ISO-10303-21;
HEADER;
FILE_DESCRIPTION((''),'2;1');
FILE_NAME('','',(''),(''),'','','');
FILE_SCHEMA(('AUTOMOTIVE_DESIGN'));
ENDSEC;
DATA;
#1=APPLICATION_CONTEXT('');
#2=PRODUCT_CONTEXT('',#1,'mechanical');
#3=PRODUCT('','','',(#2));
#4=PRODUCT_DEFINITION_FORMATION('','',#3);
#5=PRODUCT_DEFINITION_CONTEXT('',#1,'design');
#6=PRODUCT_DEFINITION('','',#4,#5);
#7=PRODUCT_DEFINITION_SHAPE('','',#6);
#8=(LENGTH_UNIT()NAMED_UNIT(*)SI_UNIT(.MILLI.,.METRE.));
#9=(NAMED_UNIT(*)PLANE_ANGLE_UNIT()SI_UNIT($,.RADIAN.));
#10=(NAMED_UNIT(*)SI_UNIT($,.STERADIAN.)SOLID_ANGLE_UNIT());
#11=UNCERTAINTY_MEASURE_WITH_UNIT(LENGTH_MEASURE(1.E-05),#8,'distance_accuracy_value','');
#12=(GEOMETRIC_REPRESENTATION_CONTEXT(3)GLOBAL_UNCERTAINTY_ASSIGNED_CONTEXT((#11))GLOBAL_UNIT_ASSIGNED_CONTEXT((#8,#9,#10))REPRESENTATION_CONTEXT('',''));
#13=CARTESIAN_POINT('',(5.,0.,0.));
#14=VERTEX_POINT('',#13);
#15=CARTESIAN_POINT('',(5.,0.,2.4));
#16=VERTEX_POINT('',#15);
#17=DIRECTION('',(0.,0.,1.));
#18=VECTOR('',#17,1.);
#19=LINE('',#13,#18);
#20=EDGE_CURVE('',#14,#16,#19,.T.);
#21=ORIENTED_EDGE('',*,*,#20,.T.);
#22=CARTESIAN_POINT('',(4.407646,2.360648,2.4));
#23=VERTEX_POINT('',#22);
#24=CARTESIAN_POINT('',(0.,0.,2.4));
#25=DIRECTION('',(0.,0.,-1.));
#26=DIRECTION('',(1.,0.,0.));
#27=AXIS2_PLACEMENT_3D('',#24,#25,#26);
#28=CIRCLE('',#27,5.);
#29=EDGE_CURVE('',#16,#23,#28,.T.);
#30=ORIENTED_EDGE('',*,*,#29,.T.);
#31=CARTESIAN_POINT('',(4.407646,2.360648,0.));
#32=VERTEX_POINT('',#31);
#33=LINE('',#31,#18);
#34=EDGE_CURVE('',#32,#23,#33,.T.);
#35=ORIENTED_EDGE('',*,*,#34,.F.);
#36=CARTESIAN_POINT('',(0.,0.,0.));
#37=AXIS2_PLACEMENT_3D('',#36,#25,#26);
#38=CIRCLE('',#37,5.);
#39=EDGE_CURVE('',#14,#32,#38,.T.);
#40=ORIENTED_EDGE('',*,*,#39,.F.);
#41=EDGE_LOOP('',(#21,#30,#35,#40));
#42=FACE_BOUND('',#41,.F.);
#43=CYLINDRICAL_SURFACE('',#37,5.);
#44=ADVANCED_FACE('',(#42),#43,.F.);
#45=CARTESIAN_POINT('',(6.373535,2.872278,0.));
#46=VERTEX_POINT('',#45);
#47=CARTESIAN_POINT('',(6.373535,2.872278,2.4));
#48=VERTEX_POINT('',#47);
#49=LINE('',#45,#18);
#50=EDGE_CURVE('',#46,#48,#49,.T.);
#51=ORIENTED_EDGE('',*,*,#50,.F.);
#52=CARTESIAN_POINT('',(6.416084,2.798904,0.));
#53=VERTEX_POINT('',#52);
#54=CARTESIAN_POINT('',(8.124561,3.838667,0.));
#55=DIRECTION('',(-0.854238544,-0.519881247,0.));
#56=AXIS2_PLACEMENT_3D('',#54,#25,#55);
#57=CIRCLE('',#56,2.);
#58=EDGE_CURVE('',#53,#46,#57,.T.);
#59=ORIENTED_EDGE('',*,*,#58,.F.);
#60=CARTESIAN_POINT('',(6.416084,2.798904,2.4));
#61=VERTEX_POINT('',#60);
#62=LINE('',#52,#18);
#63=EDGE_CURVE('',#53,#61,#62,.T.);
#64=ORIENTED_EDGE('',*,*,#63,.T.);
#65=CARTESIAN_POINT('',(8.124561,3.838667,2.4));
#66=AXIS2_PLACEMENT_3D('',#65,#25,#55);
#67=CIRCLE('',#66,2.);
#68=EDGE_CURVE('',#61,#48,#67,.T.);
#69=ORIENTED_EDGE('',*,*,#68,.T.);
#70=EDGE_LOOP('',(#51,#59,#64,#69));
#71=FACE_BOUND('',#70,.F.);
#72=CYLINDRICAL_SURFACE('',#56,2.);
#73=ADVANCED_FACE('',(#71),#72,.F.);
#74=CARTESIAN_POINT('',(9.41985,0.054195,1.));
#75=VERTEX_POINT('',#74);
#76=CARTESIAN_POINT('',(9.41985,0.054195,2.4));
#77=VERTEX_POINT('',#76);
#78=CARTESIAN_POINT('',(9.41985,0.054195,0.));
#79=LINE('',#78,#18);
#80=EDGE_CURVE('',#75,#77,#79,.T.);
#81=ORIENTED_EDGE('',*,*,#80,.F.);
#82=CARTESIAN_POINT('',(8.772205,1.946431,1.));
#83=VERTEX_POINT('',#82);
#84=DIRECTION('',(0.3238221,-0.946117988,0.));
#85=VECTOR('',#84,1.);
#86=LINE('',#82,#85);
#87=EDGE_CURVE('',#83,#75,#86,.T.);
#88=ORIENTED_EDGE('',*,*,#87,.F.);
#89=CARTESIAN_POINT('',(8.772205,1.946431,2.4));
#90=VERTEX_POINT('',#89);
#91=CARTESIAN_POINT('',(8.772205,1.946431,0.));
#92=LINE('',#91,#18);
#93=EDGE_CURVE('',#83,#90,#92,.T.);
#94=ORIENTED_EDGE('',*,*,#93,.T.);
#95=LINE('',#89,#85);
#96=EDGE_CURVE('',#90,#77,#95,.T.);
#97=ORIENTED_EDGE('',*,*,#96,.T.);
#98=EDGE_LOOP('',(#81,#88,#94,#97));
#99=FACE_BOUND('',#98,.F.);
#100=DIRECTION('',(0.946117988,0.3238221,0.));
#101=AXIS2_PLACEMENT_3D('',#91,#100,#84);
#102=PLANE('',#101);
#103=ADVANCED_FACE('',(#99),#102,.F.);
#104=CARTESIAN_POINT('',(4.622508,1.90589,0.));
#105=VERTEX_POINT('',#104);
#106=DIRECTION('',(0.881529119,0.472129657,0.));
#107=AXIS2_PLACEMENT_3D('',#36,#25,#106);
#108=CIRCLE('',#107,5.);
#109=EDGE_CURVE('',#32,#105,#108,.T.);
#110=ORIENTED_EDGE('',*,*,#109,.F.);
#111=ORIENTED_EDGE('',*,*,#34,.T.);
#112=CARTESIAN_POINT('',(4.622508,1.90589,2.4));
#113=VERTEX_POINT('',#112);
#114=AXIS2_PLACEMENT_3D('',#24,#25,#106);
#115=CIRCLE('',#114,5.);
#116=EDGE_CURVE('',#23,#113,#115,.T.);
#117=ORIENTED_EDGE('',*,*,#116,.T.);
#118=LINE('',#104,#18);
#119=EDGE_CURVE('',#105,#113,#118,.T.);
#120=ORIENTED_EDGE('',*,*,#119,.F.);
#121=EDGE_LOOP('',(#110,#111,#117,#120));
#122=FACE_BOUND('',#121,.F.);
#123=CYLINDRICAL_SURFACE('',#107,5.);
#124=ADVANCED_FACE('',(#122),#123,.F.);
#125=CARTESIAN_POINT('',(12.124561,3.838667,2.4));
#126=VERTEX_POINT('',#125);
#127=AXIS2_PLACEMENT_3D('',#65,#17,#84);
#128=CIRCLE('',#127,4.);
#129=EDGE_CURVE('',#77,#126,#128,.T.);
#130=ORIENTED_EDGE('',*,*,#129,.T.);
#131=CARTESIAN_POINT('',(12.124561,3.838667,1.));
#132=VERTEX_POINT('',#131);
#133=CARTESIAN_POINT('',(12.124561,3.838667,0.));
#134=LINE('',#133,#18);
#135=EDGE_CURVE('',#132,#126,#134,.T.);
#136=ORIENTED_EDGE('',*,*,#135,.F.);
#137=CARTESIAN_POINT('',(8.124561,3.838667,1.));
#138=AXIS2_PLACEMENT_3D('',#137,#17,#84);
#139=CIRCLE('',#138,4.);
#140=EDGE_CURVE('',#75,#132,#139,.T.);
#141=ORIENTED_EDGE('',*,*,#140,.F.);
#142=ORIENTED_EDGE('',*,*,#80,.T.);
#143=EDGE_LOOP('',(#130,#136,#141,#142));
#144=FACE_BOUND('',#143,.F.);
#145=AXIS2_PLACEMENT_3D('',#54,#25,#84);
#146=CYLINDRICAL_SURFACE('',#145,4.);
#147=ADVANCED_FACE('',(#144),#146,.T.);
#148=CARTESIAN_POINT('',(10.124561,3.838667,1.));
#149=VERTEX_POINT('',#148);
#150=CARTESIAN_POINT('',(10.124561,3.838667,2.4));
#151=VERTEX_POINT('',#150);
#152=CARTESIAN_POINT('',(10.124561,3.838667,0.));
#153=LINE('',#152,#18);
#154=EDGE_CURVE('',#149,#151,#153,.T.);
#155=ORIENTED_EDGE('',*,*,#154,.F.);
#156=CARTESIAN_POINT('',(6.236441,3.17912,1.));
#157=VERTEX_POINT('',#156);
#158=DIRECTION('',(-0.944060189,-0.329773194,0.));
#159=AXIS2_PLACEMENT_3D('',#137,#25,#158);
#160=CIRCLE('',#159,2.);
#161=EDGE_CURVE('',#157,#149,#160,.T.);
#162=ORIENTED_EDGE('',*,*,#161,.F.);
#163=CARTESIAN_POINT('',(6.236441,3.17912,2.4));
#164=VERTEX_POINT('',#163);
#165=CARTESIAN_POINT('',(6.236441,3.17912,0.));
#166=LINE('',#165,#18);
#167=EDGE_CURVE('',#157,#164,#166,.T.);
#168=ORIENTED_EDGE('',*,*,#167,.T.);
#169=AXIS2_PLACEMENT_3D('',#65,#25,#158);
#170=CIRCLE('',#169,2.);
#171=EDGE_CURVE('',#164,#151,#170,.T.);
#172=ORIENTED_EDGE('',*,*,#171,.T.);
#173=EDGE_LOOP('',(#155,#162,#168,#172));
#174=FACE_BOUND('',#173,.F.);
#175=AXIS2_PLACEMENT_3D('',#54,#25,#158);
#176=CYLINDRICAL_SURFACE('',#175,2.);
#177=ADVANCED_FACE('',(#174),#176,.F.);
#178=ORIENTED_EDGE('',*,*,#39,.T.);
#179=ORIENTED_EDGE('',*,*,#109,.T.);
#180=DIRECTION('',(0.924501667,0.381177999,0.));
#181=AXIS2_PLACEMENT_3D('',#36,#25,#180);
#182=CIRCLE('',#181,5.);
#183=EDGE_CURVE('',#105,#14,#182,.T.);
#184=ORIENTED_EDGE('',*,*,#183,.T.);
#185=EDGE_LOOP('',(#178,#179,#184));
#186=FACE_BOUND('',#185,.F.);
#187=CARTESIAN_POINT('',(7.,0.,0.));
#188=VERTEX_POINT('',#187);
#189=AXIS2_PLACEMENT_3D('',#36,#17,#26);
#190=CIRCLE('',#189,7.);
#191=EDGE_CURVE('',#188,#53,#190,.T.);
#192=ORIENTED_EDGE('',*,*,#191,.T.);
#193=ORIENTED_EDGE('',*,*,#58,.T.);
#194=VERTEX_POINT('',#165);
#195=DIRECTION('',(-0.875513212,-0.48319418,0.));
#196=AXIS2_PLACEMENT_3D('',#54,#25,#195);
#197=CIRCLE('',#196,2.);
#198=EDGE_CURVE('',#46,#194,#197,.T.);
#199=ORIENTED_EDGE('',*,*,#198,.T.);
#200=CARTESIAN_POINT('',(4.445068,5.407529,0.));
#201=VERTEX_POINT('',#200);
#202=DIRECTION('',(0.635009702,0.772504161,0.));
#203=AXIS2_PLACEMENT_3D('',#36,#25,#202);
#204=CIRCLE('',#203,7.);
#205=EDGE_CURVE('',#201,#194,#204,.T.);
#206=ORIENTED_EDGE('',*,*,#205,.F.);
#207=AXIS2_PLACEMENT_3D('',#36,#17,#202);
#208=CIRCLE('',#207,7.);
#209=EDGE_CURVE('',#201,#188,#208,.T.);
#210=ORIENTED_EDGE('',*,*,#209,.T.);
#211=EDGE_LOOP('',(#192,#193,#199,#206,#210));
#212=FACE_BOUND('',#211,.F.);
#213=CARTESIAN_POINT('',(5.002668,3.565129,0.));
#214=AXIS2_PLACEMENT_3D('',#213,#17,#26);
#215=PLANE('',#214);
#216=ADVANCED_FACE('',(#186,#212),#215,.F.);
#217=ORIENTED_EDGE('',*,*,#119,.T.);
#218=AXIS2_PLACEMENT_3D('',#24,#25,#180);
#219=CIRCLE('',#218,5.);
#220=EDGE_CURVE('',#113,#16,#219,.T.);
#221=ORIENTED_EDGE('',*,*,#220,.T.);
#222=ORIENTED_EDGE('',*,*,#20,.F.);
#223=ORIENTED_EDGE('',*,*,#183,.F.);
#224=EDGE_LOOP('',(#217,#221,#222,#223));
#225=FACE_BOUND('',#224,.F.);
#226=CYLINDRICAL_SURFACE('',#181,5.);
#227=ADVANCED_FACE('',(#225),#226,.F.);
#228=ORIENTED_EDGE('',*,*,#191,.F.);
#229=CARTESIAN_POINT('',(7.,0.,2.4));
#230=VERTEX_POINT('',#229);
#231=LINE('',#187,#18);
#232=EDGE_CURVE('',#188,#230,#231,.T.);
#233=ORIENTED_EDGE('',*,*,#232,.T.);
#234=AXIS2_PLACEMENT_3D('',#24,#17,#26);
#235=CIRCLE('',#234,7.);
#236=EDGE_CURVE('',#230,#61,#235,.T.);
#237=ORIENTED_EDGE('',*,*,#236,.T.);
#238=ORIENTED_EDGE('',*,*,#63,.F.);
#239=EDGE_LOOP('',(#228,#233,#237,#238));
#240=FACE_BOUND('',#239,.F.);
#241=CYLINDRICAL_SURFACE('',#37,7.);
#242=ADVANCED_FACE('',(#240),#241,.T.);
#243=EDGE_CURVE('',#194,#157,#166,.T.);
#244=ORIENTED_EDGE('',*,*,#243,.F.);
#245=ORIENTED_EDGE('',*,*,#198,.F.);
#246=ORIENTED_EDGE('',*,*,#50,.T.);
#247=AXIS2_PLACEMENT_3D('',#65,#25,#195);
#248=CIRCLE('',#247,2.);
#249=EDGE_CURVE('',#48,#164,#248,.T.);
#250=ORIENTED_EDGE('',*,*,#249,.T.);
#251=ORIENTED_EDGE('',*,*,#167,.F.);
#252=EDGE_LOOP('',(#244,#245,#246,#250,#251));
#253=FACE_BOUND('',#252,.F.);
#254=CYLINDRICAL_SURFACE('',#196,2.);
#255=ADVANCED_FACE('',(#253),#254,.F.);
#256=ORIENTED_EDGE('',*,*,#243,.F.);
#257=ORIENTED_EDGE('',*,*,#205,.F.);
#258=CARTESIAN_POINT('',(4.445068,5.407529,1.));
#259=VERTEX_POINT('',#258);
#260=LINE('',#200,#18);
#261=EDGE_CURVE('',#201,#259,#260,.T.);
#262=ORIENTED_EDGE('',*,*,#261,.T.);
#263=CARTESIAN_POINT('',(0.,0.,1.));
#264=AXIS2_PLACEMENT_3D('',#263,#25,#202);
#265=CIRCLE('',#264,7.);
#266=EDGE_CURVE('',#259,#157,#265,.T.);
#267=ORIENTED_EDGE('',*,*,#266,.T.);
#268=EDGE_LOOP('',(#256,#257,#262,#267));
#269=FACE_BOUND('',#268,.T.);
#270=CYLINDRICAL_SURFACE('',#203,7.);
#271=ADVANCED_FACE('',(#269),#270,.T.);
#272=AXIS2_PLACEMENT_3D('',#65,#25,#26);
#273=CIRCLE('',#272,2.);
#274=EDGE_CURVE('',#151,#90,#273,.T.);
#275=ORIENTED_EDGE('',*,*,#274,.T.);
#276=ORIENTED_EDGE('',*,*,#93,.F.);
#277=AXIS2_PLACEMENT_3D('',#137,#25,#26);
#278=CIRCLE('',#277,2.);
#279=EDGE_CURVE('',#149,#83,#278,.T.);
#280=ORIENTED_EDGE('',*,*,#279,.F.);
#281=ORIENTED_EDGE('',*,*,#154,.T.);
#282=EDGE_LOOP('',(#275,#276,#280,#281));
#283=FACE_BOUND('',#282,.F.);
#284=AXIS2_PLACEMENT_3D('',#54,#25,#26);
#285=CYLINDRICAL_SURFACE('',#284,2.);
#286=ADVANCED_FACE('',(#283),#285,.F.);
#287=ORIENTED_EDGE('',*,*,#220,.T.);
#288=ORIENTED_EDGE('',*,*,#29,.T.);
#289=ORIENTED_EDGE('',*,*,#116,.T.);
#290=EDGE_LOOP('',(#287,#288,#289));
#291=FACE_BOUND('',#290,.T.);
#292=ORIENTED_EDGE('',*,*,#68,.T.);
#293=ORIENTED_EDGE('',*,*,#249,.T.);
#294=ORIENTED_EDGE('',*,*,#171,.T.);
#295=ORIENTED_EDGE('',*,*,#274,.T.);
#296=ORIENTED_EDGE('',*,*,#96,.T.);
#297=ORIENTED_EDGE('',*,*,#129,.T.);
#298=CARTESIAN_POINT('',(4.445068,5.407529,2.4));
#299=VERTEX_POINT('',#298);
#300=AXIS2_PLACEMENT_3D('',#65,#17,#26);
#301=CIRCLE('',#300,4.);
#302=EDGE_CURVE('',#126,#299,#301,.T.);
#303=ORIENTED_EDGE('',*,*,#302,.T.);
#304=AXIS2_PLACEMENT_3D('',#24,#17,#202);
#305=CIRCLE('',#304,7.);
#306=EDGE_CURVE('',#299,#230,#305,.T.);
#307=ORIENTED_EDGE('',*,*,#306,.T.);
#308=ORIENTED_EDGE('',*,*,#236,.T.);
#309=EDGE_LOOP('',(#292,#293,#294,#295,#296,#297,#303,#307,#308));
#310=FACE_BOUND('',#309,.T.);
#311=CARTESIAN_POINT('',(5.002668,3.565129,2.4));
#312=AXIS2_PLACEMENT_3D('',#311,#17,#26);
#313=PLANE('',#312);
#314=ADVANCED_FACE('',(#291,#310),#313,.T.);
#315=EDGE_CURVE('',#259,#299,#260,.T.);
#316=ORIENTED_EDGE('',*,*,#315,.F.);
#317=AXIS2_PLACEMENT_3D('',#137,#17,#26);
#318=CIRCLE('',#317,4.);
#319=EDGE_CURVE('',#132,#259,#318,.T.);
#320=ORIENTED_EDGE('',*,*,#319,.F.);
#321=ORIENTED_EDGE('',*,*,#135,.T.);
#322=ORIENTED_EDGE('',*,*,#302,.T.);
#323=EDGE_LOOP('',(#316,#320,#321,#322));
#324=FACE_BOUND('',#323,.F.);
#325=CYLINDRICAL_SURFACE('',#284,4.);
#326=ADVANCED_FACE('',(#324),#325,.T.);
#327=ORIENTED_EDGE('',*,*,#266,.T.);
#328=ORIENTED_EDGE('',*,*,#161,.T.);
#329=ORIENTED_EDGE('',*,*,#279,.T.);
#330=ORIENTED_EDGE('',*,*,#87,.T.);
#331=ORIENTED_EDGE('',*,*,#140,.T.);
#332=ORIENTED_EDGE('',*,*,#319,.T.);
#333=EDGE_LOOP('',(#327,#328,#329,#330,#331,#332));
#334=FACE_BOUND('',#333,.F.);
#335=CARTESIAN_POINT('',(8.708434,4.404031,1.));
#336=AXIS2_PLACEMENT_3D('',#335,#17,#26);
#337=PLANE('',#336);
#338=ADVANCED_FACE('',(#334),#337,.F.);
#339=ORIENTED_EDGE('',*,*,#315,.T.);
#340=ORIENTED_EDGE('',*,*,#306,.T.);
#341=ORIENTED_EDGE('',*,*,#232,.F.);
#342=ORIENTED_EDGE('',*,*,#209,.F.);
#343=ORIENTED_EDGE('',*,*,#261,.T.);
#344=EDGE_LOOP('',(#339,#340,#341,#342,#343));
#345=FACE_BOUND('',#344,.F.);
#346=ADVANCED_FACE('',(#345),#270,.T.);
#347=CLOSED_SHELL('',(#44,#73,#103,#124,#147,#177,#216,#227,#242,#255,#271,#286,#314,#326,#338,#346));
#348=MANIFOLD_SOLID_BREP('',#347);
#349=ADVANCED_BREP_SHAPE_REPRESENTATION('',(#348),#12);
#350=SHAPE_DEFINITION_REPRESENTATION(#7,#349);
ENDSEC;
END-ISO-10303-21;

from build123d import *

# Parameters (mm, degrees)
F1_DEPTH = 2.4
F2_DEPTH = 1


with BuildPart() as f1:
    # F0 (on Top) → F1 (new body)
    with BuildSketch(Plane.XY):
        with BuildLine():
            ThreePointArc((6.2364408078, 3.1791203265), (5.4557408837, 4.3857600721), (4.4450679147, 5.4075291247))
            ThreePointArc((4.4450679147, 5.4075291247), (4.1248628557, 3.8877917046), (4.4076455939, 2.3606482835))
            ThreePointArc((4.4076455939, 2.3606482835), (4.5207987432, 2.1359725475), (4.6225083364, 1.9058899968))
            Line((4.6225083364, 1.9058899968), (6.3735347613, 2.8722783552))
            ThreePointArc((6.3735347613, 2.8722783552), (6.2985312404, 3.0228146209), (6.2364408078, 3.1791203265))
        make_face()
        with BuildLine():
            ThreePointArc((12.1245611862, 3.8386667137), (8.9251943462, 7.7577210056), (4.4450679147, 5.4075291247))
            ThreePointArc((4.4450679147, 5.4075291247), (5.4557408837, 4.3857600721), (6.2364408078, 3.1791203265))
            ThreePointArc((6.2364408078, 3.1791203265), (7.7900770735, 5.8104984454), (10.1245611862, 3.8386667137))
            ThreePointArc((10.1245611862, 3.8386667137), (9.7517195067, 2.6757583768), (8.7722053863, 1.9464307373))
            Line((8.7722053863, 1.9464307373), (9.4198495864, 0.054194761))
            ThreePointArc((9.4198495864, 0.054194761), (11.3788778273, 1.51285004), (12.1245611862, 3.8386667137))
        make_face()
        with BuildLine():
            ThreePointArc((4.4450679147, 5.4075291247), (-6.3291182404, -2.9903615666), (7, 0))
            ThreePointArc((7, 0), (5.6226632008, 0.717688266), (4.6225083364, 1.9058899968))
            ThreePointArc((4.6225083364, 1.9058899968), (4.9047192418, 0.9714572348), (5, 0))
            ThreePointArc((5, 0), (-4.8496509137, -1.2169166016), (4.4076455939, 2.3606482835))
            ThreePointArc((4.4076455939, 2.3606482835), (4.1248628557, 3.8877917046), (4.4450679147, 5.4075291247))
        make_face()
        with BuildLine():
            ThreePointArc((4.6225083364, 1.9058899968), (5.6226632008, 0.717688266), (7, 0))
            ThreePointArc((7, 0), (6.8524662966, 1.4295823353), (6.416084099, 2.7989042203))
            ThreePointArc((6.416084099, 2.7989042203), (6.3944204178, 2.8353657012), (6.3735347613, 2.8722783552))
            Line((6.3735347613, 2.8722783552), (4.6225083364, 1.9058899968))
        make_face()
    extrude(amount=F1_DEPTH)

    # F0 (on Top) → F2 (cut)
    with BuildSketch(Plane.XY):
        with BuildLine():
            ThreePointArc((12.1245611862, 3.8386667137), (8.9251943462, 7.7577210056), (4.4450679147, 5.4075291247))
            ThreePointArc((4.4450679147, 5.4075291247), (5.4557408837, 4.3857600721), (6.2364408078, 3.1791203265))
            ThreePointArc((6.2364408078, 3.1791203265), (7.7900770735, 5.8104984454), (10.1245611862, 3.8386667137))
            ThreePointArc((10.1245611862, 3.8386667137), (9.7517195067, 2.6757583768), (8.7722053863, 1.9464307373))
            Line((8.7722053863, 1.9464307373), (9.4198495864, 0.054194761))
            ThreePointArc((9.4198495864, 0.054194761), (11.3788778273, 1.51285004), (12.1245611862, 3.8386667137))
        make_face()
    extrude(amount=F2_DEPTH, mode=Mode.SUBTRACT)


solid = f1.part
